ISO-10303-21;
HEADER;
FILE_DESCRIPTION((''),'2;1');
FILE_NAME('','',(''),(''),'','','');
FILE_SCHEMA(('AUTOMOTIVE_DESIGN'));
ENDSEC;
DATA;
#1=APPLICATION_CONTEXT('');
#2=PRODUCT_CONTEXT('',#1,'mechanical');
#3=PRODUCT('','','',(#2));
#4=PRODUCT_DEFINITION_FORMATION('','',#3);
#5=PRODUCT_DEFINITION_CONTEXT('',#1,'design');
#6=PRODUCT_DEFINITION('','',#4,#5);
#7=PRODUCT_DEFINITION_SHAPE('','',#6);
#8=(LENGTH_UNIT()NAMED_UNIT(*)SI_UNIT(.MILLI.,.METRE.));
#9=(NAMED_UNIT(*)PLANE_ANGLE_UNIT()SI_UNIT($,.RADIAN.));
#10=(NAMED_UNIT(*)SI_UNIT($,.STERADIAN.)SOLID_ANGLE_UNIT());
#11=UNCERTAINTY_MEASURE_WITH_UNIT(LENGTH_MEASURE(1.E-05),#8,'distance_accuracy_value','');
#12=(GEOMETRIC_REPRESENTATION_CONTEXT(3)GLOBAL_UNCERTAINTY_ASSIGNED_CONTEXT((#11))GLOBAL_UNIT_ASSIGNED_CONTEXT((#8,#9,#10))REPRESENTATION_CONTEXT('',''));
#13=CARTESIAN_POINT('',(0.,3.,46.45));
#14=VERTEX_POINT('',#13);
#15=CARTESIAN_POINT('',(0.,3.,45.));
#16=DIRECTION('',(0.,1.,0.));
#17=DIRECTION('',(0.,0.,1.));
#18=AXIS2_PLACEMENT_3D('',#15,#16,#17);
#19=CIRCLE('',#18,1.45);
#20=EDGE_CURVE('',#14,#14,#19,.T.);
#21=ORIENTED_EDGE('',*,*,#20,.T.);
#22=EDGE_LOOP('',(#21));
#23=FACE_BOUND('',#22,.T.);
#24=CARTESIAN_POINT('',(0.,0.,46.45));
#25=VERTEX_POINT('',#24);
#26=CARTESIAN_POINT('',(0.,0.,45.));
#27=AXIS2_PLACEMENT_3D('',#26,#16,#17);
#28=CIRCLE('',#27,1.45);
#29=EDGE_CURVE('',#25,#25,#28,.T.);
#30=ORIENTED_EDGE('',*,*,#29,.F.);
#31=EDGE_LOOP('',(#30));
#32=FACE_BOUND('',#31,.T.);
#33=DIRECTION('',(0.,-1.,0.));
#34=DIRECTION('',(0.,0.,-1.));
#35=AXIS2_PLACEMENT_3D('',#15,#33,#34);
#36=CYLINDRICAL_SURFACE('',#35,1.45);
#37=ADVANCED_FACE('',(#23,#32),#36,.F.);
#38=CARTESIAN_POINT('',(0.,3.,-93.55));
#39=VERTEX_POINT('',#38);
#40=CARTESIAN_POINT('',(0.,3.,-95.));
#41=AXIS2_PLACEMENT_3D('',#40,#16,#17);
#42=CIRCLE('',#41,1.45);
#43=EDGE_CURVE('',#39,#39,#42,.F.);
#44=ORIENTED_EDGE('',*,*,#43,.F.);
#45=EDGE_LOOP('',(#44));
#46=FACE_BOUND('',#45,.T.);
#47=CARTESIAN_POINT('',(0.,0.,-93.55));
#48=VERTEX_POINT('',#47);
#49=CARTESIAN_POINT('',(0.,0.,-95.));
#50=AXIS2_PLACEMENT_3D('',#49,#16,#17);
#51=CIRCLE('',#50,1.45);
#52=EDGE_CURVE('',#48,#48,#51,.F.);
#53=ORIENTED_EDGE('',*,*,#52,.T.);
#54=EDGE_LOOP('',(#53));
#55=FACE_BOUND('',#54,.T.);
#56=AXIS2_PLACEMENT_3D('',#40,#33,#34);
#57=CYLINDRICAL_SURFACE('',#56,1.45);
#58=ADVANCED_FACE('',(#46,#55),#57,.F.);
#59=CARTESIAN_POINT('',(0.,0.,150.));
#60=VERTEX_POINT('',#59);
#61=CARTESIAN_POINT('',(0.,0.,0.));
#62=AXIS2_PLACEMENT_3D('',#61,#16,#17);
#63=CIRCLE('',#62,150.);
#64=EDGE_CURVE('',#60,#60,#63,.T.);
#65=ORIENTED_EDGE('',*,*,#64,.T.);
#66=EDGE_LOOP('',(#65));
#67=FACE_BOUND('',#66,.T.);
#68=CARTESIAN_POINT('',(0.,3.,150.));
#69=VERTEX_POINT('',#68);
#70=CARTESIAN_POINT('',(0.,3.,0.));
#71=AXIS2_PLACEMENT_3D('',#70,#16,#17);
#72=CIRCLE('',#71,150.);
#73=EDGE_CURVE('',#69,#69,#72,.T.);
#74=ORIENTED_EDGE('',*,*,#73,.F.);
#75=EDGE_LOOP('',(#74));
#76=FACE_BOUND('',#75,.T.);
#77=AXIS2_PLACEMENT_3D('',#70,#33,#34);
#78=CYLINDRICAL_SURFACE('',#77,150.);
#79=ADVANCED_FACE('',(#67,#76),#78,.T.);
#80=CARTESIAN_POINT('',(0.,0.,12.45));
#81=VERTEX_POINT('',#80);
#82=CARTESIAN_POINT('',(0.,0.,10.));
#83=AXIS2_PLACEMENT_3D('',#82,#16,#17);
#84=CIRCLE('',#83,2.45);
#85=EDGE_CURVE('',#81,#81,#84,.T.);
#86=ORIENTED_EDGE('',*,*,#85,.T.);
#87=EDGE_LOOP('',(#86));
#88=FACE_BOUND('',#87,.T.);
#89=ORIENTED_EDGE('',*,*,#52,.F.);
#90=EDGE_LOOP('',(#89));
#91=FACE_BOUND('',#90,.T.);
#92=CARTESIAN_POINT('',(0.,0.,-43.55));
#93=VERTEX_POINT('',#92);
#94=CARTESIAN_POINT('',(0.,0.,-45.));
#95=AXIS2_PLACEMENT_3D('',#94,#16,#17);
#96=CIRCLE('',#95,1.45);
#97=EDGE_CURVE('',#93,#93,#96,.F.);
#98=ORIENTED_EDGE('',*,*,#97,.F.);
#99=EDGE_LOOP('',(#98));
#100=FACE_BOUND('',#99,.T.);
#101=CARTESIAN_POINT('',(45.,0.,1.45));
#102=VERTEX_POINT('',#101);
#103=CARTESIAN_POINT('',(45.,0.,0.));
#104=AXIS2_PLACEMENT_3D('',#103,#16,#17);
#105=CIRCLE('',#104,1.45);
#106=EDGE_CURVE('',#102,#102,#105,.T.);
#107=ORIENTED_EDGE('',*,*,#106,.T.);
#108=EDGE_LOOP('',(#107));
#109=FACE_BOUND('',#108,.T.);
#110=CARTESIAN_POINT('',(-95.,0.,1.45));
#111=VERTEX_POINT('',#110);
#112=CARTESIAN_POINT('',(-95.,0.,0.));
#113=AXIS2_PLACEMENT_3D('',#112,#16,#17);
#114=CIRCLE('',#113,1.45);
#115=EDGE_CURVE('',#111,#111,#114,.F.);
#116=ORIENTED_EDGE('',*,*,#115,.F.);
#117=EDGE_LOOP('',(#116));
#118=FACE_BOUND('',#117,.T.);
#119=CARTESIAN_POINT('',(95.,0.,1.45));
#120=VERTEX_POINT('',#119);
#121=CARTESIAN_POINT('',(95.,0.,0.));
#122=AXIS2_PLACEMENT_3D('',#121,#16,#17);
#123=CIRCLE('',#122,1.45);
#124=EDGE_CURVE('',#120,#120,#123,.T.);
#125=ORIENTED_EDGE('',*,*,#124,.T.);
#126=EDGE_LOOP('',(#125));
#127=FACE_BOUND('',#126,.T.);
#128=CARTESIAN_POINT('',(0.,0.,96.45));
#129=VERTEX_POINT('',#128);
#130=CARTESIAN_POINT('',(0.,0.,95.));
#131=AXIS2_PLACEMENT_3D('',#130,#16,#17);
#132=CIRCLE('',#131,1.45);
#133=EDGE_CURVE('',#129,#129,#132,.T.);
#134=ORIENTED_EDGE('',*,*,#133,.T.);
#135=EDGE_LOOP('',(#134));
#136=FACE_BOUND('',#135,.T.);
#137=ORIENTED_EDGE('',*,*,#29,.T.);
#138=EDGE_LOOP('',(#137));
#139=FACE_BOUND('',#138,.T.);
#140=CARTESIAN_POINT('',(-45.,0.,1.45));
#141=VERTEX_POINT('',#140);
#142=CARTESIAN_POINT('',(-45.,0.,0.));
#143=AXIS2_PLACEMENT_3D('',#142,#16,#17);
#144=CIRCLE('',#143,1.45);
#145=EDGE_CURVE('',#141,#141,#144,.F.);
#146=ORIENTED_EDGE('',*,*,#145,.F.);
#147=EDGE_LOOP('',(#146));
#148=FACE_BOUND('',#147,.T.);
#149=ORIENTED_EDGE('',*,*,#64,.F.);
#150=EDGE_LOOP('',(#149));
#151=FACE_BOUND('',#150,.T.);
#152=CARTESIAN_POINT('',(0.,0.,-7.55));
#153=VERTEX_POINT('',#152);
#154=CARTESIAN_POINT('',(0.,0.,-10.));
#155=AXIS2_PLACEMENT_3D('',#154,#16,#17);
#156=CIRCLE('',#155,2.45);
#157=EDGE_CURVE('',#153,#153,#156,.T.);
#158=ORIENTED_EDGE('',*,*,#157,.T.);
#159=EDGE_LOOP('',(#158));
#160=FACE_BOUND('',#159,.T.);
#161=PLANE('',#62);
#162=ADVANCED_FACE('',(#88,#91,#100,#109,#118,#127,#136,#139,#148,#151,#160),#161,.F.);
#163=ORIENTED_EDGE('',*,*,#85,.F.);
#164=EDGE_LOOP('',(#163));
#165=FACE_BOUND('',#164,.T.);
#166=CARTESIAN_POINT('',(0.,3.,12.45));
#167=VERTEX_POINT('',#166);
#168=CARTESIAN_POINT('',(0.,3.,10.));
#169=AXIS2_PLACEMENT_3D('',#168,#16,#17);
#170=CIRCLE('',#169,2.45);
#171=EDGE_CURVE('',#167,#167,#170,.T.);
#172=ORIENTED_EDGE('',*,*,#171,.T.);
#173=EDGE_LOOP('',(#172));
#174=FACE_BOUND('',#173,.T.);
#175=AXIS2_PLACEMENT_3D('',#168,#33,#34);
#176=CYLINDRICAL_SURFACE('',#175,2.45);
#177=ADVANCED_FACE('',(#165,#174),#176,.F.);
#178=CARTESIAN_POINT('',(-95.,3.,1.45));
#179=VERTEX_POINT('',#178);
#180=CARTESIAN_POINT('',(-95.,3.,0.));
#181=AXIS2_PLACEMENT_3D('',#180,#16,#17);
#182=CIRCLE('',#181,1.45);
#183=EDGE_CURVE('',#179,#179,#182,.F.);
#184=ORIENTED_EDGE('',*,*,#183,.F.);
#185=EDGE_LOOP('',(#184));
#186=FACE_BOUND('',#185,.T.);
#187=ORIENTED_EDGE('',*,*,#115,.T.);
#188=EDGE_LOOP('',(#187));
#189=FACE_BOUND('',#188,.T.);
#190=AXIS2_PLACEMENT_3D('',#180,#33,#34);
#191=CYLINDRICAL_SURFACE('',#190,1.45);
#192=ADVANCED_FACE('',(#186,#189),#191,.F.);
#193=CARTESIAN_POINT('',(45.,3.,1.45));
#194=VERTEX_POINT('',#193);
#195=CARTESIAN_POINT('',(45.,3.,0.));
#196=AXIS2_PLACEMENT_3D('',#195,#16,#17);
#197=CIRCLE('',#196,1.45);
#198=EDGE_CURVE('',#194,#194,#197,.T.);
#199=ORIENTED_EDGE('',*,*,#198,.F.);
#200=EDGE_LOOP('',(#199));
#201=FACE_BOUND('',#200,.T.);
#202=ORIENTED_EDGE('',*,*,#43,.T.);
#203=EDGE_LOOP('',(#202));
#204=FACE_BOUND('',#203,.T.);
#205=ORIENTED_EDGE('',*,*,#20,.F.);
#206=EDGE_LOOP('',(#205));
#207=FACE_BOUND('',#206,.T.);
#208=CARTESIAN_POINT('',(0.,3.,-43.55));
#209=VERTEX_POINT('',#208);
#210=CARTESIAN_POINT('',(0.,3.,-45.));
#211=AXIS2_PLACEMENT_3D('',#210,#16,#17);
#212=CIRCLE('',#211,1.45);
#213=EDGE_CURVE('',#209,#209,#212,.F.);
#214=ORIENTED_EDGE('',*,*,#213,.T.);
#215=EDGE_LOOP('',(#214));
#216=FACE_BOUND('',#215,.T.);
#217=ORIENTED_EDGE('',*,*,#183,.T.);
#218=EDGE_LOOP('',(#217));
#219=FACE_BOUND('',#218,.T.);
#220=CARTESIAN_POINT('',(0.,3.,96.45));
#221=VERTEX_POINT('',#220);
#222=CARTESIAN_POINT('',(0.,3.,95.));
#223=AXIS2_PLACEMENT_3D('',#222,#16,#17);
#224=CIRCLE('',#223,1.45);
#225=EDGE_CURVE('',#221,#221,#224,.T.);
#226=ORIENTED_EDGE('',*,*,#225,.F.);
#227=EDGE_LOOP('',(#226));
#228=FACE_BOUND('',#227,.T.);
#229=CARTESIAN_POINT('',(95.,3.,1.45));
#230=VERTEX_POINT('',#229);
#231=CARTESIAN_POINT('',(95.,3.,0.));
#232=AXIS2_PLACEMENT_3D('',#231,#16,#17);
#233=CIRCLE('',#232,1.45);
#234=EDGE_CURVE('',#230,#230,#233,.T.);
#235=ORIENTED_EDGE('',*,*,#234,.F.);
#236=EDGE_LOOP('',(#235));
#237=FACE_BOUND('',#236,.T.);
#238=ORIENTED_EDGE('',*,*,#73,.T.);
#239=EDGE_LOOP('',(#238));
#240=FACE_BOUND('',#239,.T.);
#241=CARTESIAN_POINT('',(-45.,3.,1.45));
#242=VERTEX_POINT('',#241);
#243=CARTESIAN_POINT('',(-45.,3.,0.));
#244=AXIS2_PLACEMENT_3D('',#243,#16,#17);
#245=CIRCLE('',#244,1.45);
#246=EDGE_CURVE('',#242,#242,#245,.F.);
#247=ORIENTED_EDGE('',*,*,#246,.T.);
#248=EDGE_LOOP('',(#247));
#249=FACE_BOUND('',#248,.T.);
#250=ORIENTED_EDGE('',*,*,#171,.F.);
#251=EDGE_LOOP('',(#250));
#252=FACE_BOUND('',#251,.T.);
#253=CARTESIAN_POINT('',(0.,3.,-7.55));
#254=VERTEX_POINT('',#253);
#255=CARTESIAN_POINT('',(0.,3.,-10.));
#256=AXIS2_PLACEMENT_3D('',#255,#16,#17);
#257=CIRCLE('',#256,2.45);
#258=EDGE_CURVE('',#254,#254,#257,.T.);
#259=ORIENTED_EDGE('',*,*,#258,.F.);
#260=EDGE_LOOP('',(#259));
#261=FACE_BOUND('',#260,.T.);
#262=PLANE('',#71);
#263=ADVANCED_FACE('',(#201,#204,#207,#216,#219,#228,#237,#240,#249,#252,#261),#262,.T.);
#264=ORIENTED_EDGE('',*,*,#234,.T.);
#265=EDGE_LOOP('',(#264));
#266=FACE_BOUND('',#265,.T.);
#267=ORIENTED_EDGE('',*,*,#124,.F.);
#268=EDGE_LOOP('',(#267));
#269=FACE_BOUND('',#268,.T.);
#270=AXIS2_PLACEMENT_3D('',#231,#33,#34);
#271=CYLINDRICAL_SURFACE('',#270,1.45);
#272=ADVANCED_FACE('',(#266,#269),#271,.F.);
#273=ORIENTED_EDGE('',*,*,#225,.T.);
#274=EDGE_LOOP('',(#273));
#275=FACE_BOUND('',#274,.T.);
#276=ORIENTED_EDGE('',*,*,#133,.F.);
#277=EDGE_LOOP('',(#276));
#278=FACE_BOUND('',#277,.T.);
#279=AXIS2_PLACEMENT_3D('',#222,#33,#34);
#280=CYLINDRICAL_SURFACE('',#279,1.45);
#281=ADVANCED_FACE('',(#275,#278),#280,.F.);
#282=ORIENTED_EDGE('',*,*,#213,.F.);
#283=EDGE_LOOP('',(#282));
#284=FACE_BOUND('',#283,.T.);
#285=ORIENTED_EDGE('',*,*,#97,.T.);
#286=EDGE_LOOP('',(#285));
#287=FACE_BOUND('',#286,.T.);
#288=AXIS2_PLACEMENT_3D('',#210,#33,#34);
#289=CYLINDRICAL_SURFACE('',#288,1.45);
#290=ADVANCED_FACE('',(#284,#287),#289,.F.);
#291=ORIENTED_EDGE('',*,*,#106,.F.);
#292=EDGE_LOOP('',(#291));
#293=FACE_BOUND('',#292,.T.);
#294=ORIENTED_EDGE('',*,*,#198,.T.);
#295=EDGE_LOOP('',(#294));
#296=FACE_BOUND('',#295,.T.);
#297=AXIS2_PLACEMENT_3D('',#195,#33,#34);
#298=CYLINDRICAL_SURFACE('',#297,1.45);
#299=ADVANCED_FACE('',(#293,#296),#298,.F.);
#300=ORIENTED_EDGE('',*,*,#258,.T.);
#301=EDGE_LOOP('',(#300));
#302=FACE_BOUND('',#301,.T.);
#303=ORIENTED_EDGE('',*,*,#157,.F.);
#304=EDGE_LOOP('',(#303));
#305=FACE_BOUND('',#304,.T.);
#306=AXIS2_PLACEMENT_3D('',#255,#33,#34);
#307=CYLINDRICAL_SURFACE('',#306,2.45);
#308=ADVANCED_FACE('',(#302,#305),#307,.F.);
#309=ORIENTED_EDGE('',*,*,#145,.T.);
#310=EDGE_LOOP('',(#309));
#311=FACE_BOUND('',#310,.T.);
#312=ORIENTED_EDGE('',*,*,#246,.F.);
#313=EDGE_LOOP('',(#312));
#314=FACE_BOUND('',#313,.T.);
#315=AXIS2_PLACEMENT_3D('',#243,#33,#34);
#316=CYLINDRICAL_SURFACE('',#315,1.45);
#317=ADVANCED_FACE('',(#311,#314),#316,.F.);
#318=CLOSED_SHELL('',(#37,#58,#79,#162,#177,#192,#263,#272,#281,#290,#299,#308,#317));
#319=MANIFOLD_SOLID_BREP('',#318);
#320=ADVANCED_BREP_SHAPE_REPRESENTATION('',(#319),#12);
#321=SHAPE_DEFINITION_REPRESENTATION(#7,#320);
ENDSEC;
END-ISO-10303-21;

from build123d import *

# Parameters (mm, degrees)
SKETCH1_R           = 150
SKETCH1_R_2         = 2.45
SKETCH1_R_3         = 1.45
BOSS_EXTRUDE1_DEPTH = 3


with BuildPart() as part:
    # Sketch1 → Boss-Extrude1 (new body)
    with BuildSketch(Plane(origin=(0, 0, 0), x_dir=(1, 0, 0), z_dir=(0, 1, 0))):
        with Locations(Location((0, 0, 0), (0, 0, 270))):
            Circle(SKETCH1_R)
        with Locations(Location((0, 10, 0), (0, 0, 270))):
            Circle(SKETCH1_R_2, mode=Mode.SUBTRACT)
        with Locations(Location((0, -10, 0), (0, 0, 270))):
            Circle(SKETCH1_R_2, mode=Mode.SUBTRACT)
        with Locations(Location((45, 0, 0), (0, 0, 270))):
            Circle(SKETCH1_R_3, mode=Mode.SUBTRACT)
        with Locations(Location((95, 0, 0), (0, 0, 270))):
            Circle(SKETCH1_R_3, mode=Mode.SUBTRACT)
        with Locations(Location((0, -45, 0), (0, 0, 270))):
            Circle(SKETCH1_R_3, mode=Mode.SUBTRACT)
        with Locations(Location((0, -95, 0), (0, 0, 270))):
            Circle(SKETCH1_R_3, mode=Mode.SUBTRACT)
        with Locations(Location((-95, 0, 0), (0, 0, 270))):
            Circle(SKETCH1_R_3, mode=Mode.SUBTRACT)
        with Locations(Location((-45, 0, 0), (0, 0, 270))):
            Circle(SKETCH1_R_3, mode=Mode.SUBTRACT)
        with Locations(Location((0, 95, 0), (0, 0, 270))):
            Circle(SKETCH1_R_3, mode=Mode.SUBTRACT)
        with Locations(Location((0, 45, 0), (0, 0, 270))):
            Circle(SKETCH1_R_3, mode=Mode.SUBTRACT)
    extrude(amount=BOSS_EXTRUDE1_DEPTH)


solid = part.part
